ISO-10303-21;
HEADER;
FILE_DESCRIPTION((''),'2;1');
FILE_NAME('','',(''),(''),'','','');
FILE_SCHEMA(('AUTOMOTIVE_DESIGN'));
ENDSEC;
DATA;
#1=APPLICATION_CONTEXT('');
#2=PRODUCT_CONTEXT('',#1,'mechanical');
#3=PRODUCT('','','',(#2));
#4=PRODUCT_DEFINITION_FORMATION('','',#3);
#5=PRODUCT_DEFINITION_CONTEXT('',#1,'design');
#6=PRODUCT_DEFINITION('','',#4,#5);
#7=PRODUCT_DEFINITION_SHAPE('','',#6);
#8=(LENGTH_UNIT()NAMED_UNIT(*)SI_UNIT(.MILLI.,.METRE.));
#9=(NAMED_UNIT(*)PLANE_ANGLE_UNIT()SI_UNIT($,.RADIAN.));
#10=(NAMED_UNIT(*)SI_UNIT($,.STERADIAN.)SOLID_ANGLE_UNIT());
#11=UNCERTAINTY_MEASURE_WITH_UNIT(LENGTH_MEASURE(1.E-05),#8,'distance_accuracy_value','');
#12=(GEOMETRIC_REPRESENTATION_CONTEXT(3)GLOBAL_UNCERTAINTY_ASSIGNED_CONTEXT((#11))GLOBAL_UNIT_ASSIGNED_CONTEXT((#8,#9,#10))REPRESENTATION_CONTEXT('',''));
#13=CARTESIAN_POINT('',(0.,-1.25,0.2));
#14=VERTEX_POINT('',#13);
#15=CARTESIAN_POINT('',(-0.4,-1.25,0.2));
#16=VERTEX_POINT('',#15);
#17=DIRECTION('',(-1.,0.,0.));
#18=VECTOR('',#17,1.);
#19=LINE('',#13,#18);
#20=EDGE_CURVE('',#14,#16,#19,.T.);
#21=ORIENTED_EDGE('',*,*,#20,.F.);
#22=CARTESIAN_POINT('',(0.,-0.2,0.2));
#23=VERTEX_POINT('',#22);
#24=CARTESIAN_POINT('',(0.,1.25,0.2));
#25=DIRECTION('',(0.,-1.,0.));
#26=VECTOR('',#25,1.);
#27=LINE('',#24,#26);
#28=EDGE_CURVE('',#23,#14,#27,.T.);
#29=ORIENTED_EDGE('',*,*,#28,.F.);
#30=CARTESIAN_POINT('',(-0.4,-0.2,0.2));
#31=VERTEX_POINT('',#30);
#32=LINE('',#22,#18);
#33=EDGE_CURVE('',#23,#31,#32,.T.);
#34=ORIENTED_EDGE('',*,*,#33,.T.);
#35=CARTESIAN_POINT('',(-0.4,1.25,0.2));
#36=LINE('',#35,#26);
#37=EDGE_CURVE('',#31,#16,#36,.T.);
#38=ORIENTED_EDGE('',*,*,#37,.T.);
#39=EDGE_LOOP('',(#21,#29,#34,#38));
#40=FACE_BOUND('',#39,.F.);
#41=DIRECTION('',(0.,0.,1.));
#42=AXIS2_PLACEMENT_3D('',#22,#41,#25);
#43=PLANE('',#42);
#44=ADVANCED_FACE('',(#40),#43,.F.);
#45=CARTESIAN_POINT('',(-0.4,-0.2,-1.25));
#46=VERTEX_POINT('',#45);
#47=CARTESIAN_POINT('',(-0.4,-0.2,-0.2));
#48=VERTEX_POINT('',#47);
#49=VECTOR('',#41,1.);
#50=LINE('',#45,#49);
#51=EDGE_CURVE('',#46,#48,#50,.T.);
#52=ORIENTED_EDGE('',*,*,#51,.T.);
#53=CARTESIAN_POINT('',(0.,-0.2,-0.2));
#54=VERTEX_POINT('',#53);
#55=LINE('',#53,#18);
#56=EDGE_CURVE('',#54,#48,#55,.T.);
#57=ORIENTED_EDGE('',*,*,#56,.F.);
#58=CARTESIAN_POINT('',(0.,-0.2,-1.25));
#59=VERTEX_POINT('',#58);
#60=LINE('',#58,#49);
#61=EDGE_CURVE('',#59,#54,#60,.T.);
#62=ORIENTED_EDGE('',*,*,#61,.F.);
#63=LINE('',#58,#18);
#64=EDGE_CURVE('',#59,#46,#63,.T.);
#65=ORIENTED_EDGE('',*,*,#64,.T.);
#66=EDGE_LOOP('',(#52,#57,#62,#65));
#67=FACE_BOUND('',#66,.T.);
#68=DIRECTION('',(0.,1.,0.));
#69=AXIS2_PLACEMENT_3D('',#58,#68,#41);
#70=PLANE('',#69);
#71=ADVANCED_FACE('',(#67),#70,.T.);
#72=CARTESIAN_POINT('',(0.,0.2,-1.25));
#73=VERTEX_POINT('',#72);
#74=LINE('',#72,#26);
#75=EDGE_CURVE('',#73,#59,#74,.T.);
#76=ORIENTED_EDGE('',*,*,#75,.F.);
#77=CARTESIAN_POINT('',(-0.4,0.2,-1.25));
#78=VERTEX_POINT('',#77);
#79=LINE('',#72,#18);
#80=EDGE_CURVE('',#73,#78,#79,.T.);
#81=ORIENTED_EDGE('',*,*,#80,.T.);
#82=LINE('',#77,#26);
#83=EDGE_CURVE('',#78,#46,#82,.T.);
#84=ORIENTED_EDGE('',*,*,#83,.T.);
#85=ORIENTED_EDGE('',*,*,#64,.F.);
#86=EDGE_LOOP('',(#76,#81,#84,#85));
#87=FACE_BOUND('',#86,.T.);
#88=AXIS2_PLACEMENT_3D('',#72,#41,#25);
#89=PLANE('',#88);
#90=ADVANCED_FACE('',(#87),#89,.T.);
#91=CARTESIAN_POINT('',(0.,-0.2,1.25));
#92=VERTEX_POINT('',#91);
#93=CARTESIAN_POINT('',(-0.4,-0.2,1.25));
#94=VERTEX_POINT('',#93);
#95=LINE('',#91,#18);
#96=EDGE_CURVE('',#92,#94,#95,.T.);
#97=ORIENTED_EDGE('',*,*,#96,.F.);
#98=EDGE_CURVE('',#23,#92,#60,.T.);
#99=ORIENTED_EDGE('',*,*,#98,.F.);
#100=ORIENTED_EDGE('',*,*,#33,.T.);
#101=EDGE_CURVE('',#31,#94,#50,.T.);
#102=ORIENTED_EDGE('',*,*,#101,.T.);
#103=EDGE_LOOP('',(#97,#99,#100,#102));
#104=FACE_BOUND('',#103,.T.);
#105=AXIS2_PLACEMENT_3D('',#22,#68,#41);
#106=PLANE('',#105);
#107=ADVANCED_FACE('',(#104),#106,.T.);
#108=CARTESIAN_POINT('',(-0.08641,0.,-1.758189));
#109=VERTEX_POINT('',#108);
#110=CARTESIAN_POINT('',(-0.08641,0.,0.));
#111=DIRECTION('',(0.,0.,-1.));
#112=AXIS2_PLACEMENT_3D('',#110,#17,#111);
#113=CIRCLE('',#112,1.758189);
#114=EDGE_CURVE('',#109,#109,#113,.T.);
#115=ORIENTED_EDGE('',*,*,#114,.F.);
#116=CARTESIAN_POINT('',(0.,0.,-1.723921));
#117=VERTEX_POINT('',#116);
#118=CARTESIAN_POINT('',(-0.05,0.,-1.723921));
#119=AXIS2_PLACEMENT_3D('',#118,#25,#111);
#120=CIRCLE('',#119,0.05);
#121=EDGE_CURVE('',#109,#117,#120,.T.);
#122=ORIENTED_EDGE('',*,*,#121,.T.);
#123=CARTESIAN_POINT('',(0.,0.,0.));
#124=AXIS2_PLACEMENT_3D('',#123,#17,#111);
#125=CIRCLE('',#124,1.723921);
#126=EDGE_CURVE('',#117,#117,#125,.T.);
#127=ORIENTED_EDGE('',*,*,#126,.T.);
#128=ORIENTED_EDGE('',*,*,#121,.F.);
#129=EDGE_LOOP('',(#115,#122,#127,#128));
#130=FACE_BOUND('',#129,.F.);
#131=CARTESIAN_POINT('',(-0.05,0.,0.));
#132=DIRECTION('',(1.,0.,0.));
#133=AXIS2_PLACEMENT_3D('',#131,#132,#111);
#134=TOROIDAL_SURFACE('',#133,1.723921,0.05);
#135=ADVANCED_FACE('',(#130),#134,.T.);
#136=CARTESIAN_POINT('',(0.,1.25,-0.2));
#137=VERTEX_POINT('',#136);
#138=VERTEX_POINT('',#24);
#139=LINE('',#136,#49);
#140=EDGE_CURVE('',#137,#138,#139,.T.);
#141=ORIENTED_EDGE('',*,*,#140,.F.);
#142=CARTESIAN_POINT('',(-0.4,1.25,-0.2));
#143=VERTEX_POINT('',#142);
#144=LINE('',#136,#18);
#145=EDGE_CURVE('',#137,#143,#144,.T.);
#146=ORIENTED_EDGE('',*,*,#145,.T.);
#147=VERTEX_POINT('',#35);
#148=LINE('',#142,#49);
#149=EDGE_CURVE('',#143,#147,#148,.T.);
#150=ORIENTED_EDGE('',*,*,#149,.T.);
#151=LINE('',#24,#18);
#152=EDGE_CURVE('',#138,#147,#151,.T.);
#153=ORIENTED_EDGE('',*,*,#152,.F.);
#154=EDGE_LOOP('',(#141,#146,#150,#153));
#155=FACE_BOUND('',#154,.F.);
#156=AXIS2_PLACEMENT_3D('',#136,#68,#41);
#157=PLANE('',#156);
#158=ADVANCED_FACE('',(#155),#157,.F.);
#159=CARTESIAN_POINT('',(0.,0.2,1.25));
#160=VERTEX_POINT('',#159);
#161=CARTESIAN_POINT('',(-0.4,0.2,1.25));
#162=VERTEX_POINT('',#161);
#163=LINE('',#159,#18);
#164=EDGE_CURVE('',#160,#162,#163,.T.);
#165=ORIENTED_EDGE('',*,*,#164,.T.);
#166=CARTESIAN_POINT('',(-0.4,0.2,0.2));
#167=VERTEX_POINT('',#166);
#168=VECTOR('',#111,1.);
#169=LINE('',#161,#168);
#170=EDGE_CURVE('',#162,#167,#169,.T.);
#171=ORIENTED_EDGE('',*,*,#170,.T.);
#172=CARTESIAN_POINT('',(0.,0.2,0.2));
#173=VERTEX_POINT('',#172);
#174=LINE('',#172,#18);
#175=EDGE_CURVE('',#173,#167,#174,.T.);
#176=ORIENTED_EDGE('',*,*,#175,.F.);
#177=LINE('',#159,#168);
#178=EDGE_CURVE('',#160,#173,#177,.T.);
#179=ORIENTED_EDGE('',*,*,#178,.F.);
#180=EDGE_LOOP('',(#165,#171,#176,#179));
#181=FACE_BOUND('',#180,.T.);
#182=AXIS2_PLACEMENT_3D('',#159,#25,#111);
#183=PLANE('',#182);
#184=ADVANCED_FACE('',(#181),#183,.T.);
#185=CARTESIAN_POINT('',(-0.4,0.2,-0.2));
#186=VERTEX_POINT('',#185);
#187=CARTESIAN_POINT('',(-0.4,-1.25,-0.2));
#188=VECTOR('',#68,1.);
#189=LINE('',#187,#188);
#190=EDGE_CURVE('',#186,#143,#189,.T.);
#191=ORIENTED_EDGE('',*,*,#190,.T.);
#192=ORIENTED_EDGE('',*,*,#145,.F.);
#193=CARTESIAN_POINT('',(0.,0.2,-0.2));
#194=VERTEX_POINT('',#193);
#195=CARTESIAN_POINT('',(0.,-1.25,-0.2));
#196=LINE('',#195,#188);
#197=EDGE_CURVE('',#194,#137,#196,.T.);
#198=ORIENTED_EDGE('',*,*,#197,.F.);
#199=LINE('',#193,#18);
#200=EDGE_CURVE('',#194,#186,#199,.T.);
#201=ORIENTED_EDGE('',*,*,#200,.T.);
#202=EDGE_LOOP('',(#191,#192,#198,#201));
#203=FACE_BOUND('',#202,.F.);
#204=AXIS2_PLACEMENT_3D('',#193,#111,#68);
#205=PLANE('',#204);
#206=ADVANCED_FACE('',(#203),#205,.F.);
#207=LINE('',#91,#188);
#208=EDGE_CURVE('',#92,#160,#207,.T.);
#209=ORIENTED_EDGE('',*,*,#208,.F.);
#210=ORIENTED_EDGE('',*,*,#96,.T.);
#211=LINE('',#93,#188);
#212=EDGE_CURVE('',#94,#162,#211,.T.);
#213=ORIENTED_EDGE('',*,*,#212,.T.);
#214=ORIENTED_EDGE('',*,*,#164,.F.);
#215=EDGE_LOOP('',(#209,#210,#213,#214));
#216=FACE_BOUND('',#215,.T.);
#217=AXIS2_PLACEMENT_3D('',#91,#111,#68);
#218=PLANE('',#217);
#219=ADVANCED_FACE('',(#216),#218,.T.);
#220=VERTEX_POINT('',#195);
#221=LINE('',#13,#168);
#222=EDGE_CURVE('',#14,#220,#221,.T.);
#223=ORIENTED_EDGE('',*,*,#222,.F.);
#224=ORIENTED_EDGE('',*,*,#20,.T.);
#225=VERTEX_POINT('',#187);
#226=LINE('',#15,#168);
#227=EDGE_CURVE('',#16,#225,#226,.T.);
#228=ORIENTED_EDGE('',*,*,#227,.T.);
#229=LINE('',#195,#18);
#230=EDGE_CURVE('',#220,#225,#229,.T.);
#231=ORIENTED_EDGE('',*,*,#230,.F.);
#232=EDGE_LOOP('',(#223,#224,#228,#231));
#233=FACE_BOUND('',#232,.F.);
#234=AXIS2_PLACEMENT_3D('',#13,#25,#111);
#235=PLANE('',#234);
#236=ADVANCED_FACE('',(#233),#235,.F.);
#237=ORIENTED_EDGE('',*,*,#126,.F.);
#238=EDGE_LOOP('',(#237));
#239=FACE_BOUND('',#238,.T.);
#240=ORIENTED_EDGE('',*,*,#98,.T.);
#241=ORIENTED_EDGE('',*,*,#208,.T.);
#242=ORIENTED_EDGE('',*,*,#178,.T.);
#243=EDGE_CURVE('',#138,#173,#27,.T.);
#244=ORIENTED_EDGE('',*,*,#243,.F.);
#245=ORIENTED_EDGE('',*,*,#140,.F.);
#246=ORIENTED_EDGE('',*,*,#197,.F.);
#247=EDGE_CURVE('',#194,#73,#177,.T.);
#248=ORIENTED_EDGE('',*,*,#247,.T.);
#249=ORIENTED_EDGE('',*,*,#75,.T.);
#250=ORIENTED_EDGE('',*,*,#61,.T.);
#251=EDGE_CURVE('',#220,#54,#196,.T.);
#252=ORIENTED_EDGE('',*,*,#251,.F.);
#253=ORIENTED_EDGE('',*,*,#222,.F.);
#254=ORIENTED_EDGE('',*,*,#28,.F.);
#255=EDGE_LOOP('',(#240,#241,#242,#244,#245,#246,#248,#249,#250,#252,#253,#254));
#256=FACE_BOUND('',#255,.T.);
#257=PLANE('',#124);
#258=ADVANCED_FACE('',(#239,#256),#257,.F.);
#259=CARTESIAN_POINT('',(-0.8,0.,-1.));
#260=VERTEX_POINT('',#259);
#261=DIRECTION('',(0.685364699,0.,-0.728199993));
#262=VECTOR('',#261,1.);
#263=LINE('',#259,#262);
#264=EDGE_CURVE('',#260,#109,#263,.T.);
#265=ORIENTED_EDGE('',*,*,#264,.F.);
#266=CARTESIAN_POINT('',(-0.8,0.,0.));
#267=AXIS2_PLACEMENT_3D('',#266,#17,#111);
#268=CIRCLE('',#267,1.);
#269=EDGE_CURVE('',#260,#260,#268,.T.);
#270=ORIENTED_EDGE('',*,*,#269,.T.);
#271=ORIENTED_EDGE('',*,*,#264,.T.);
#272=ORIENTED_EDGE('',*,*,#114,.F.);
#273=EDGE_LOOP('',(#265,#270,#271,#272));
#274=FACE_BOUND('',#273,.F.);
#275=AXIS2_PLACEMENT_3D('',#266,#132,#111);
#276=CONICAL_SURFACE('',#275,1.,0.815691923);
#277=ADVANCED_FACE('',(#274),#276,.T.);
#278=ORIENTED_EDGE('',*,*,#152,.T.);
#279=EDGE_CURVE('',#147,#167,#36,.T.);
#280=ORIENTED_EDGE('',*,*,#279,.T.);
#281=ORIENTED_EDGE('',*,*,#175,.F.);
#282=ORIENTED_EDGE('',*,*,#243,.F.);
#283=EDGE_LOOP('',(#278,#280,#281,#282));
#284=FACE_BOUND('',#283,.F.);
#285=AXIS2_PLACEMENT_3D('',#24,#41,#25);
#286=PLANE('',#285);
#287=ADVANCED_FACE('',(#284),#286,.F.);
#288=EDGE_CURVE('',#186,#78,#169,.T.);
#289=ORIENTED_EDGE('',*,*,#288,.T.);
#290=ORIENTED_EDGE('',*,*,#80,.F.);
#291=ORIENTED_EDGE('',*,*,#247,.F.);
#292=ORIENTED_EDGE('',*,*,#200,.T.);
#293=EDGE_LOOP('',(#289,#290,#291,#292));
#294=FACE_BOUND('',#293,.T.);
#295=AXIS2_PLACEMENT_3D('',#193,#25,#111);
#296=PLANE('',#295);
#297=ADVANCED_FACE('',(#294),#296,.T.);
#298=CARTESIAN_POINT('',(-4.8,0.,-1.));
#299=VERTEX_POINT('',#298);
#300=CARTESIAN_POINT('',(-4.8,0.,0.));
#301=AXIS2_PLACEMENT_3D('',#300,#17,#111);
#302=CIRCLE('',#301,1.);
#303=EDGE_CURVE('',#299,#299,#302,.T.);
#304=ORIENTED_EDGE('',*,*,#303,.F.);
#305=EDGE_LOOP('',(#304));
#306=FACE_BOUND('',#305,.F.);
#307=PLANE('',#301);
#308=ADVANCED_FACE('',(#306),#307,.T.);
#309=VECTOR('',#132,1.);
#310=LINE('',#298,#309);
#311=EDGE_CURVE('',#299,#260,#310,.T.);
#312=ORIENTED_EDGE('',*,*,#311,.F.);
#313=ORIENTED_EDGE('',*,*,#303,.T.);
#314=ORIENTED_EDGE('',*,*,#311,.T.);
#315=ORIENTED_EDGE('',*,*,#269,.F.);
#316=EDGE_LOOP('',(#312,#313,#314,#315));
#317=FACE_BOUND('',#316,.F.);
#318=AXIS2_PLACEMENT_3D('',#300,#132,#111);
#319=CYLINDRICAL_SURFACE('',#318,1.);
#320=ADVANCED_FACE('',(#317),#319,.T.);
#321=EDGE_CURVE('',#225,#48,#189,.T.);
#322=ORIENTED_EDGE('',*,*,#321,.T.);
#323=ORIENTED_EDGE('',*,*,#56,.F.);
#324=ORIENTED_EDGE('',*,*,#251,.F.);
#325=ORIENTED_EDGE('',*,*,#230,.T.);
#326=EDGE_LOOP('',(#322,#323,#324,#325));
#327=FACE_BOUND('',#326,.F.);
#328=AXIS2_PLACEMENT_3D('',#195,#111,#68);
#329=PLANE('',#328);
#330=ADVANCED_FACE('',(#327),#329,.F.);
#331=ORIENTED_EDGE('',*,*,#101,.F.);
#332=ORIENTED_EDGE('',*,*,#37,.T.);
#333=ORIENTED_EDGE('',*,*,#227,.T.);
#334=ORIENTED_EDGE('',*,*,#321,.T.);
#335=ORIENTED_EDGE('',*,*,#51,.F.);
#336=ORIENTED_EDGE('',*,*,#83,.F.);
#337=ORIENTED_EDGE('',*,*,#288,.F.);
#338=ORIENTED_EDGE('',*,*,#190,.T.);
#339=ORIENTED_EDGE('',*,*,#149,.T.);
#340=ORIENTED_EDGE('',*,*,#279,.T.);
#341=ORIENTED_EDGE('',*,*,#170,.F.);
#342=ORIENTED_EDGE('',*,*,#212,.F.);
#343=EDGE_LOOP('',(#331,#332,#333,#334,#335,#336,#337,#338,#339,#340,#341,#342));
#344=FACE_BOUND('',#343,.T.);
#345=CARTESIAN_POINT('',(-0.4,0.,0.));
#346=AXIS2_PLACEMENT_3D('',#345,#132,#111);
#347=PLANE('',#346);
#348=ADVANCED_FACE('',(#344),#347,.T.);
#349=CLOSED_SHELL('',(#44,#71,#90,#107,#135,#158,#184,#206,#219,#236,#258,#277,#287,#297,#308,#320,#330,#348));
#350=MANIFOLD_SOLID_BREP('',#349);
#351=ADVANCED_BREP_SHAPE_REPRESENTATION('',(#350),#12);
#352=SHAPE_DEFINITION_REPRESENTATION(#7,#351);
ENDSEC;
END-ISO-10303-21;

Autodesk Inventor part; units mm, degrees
ref_plane "YZ Plane" through (0, 0, 0) normal (1, 0, 0) x (0, 1, 0)
ref_plane "XZ Plane" through (0, 0, 0) normal (0, 1, 0) x (-1, 0, 0)
ref_plane "XY Plane" through (0, 0, 0) normal (0, 0, 1) x (1, 0, 0)
sketch "Sketch1" plane through (0, 0, 0) normal (0, 1, 0) x (-1, 0, 0)
  line L0 (0, 0) -> (0, -1.85)
  line L1 (0, 0) -> (0.8, 0)
  line L2 (0.8, 0) -> (4.8, 0)
  line L3 (4.8, 0) -> (4.8, -1)
  line L4 (4.8, -1) -> (0.8, -1)
  line L5 (0.8, -1) -> (0.8, 0)
  line L6 (0.8, -1) -> (0, -1.85)
  dimension "d0" = 1.85
  dimension "d1" = 0.8
  dimension "d2" = 4
  dimension "d3" = 1
revolve "Revolution1" add sketch "Sketch1" angle 360 about axis through (-0.8, 0, 0) along (-1, 0, 0)
fillet "Fillet1" radius 0.05 1 edges at (0, 0, 1.85)
sketch "Sketch2" plane through (0, 0, 0) normal (1, 0, 0) x (0, 0, -1)
  circle A0 centre (0, 0) radius 1.7239 projected
  line L0 (-1.25, -0.2) -> (-1.25, 0.2)
  line L1 (-1.25, 0.2) -> (1.25, 0.2)
  line L2 (1.25, 0.2) -> (1.25, -0.2)
  line L3 (1.25, -0.2) -> (-1.25, -0.2)
  line L4 (-1.25, -0.2) -> (1.25, 0.2) construction
  line L5 (-1.25, 0.2) -> (1.25, -0.2) construction
  line L6 (-0.2, -1.25) -> (0.2, -1.25)
  line L7 (0.2, -1.25) -> (0.2, 1.25)
  line L8 (0.2, 1.25) -> (-0.2, 1.25)
  line L9 (-0.2, 1.25) -> (-0.2, -1.25)
  line L10 (-0.2, -1.25) -> (0.2, 1.25) construction
  line L11 (0.2, -1.25) -> (-0.2, 1.25) construction
  point P0 (-0.2, -0.2)
  point P1 (0.2, -0.2)
  point P2 (0.2, 0.2)
  point P3 (-0.2, 0.2)
  dimension "d6" = 0.4
  dimension "d7" = 2.5
  dimension "d8" = 0.4
  dimension "d9" = 2.5
extrude "Extrusion1" cut sketch "Sketch2" against normal blind 0.4 contours L0 L1 L9 L3 | L9 L1 L7 L3 | L3 L7 L6 L9 | L9 L8 L7 L1 | L7 L1 L2 L3
properties part number "screw_2_4"
